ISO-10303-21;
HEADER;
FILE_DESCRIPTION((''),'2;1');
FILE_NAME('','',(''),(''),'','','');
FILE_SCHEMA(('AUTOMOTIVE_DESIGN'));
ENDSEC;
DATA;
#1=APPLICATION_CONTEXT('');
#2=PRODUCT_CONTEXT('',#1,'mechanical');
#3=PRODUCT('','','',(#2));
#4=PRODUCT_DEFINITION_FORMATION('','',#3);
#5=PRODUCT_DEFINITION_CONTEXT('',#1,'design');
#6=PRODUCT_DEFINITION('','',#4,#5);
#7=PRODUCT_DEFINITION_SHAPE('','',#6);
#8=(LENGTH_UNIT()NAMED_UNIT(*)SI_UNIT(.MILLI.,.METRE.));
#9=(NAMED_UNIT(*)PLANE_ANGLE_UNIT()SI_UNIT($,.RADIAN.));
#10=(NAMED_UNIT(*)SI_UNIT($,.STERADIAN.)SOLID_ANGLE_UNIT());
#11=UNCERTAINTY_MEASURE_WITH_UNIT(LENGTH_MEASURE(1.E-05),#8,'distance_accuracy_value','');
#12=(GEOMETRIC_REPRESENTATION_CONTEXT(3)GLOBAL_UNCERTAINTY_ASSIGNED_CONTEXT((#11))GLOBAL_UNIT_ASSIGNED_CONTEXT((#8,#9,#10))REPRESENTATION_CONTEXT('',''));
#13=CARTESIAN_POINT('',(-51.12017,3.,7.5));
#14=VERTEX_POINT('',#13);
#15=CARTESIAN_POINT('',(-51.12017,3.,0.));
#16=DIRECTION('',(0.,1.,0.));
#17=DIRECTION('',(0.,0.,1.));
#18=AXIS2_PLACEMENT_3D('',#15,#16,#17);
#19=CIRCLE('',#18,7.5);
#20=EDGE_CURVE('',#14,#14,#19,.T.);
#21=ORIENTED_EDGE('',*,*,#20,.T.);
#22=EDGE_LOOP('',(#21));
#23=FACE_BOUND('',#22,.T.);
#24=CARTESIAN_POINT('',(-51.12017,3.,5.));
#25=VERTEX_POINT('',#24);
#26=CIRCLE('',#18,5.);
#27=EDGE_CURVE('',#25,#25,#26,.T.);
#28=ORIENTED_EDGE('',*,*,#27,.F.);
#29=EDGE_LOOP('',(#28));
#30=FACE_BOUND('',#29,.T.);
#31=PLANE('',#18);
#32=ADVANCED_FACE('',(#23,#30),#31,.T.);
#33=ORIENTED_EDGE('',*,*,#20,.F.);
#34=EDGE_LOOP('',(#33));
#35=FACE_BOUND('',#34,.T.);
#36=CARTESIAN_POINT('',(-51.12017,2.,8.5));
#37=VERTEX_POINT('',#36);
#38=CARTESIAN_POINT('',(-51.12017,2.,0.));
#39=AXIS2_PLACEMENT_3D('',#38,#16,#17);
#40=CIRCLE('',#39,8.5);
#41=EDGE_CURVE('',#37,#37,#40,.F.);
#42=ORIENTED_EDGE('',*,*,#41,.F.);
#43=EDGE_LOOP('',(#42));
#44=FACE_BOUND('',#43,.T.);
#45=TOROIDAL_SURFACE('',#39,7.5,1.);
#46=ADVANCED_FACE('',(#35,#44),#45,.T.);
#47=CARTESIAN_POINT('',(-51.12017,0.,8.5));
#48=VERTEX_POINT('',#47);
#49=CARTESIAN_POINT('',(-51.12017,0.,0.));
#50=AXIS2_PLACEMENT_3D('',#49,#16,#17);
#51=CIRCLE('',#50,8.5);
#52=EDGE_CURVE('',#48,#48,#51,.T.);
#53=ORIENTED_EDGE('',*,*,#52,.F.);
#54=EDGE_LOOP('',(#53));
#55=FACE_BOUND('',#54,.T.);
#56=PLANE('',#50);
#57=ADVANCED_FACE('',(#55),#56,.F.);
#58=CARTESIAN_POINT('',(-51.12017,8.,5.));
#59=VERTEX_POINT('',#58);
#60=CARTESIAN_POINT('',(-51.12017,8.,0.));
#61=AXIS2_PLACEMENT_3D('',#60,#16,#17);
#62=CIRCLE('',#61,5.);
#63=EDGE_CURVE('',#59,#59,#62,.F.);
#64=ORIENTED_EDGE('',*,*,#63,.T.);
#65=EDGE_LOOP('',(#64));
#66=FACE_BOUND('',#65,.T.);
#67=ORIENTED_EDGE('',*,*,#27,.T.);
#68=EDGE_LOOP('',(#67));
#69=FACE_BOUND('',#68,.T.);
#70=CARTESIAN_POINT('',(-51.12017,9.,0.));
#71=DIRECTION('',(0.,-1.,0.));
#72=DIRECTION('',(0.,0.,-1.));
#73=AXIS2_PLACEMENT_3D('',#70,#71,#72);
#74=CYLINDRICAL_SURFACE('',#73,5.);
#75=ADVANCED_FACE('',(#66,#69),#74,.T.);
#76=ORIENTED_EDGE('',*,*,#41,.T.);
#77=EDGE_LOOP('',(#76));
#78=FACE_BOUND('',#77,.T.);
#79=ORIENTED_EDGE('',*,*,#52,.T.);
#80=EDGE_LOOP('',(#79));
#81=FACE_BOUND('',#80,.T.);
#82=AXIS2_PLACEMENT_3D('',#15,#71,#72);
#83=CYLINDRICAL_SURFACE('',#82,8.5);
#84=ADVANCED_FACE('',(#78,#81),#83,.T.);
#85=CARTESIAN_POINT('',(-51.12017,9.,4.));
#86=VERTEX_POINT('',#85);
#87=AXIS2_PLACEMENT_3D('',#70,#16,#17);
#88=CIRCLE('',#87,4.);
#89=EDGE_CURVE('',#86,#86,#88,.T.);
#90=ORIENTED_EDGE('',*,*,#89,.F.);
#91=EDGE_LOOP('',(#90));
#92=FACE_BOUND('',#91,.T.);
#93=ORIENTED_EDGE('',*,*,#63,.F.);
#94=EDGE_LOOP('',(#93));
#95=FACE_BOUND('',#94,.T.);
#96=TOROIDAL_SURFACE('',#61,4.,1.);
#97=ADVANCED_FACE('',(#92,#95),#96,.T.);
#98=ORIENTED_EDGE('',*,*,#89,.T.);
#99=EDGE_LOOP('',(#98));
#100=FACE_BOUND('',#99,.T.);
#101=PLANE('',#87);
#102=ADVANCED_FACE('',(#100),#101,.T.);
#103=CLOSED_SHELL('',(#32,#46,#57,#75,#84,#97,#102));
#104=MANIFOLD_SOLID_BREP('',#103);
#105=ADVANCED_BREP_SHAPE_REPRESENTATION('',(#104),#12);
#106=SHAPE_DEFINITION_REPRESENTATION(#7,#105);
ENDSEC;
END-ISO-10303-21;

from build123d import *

# Parameters (mm, degrees)
SKETCH1_R           = 8.5
BOSS_EXTRUDE1_DEPTH = 3
FILLET2_R           = 1
SKETCH2_R           = 5
BOSS_EXTRUDE3_DEPTH = 6
FILLET4_R           = 1


with BuildPart() as part:
    # Sketch1 → Boss-Extrude1 (new body)
    with BuildSketch(Plane(origin=(0, 0, 0), x_dir=(1, 0, 0), z_dir=(0, 1, 0))):
        with Locations(Location((-51.120170416, 0, 0), (0, 0, 270))):
            Circle(SKETCH1_R)
    extrude(amount=BOSS_EXTRUDE1_DEPTH)

    # Fillet2
    fillet2_edges = [part.edges().sort_by_distance(p)[0] for p in [
        (-51.120170416, 3, -8.5),
    ]]
    fillet(fillet2_edges, radius=FILLET2_R)

    # Sketch2 → Boss-Extrude3 (add)
    with BuildSketch(Plane(origin=(0, 3, 0), x_dir=(1, 0, 0), z_dir=(0, 1, 0))):
        with Locations(Location((-51.120170416, 0, 0), (0, 0, 270))):
            Circle(SKETCH2_R)
    extrude(amount=BOSS_EXTRUDE3_DEPTH)

    # Fillet4
    fillet4_edges = [part.edges().sort_by_distance(p)[0] for p in [
        (-51.120170416, 9, -5),
    ]]
    fillet(fillet4_edges, radius=FILLET4_R)


solid = part.part
